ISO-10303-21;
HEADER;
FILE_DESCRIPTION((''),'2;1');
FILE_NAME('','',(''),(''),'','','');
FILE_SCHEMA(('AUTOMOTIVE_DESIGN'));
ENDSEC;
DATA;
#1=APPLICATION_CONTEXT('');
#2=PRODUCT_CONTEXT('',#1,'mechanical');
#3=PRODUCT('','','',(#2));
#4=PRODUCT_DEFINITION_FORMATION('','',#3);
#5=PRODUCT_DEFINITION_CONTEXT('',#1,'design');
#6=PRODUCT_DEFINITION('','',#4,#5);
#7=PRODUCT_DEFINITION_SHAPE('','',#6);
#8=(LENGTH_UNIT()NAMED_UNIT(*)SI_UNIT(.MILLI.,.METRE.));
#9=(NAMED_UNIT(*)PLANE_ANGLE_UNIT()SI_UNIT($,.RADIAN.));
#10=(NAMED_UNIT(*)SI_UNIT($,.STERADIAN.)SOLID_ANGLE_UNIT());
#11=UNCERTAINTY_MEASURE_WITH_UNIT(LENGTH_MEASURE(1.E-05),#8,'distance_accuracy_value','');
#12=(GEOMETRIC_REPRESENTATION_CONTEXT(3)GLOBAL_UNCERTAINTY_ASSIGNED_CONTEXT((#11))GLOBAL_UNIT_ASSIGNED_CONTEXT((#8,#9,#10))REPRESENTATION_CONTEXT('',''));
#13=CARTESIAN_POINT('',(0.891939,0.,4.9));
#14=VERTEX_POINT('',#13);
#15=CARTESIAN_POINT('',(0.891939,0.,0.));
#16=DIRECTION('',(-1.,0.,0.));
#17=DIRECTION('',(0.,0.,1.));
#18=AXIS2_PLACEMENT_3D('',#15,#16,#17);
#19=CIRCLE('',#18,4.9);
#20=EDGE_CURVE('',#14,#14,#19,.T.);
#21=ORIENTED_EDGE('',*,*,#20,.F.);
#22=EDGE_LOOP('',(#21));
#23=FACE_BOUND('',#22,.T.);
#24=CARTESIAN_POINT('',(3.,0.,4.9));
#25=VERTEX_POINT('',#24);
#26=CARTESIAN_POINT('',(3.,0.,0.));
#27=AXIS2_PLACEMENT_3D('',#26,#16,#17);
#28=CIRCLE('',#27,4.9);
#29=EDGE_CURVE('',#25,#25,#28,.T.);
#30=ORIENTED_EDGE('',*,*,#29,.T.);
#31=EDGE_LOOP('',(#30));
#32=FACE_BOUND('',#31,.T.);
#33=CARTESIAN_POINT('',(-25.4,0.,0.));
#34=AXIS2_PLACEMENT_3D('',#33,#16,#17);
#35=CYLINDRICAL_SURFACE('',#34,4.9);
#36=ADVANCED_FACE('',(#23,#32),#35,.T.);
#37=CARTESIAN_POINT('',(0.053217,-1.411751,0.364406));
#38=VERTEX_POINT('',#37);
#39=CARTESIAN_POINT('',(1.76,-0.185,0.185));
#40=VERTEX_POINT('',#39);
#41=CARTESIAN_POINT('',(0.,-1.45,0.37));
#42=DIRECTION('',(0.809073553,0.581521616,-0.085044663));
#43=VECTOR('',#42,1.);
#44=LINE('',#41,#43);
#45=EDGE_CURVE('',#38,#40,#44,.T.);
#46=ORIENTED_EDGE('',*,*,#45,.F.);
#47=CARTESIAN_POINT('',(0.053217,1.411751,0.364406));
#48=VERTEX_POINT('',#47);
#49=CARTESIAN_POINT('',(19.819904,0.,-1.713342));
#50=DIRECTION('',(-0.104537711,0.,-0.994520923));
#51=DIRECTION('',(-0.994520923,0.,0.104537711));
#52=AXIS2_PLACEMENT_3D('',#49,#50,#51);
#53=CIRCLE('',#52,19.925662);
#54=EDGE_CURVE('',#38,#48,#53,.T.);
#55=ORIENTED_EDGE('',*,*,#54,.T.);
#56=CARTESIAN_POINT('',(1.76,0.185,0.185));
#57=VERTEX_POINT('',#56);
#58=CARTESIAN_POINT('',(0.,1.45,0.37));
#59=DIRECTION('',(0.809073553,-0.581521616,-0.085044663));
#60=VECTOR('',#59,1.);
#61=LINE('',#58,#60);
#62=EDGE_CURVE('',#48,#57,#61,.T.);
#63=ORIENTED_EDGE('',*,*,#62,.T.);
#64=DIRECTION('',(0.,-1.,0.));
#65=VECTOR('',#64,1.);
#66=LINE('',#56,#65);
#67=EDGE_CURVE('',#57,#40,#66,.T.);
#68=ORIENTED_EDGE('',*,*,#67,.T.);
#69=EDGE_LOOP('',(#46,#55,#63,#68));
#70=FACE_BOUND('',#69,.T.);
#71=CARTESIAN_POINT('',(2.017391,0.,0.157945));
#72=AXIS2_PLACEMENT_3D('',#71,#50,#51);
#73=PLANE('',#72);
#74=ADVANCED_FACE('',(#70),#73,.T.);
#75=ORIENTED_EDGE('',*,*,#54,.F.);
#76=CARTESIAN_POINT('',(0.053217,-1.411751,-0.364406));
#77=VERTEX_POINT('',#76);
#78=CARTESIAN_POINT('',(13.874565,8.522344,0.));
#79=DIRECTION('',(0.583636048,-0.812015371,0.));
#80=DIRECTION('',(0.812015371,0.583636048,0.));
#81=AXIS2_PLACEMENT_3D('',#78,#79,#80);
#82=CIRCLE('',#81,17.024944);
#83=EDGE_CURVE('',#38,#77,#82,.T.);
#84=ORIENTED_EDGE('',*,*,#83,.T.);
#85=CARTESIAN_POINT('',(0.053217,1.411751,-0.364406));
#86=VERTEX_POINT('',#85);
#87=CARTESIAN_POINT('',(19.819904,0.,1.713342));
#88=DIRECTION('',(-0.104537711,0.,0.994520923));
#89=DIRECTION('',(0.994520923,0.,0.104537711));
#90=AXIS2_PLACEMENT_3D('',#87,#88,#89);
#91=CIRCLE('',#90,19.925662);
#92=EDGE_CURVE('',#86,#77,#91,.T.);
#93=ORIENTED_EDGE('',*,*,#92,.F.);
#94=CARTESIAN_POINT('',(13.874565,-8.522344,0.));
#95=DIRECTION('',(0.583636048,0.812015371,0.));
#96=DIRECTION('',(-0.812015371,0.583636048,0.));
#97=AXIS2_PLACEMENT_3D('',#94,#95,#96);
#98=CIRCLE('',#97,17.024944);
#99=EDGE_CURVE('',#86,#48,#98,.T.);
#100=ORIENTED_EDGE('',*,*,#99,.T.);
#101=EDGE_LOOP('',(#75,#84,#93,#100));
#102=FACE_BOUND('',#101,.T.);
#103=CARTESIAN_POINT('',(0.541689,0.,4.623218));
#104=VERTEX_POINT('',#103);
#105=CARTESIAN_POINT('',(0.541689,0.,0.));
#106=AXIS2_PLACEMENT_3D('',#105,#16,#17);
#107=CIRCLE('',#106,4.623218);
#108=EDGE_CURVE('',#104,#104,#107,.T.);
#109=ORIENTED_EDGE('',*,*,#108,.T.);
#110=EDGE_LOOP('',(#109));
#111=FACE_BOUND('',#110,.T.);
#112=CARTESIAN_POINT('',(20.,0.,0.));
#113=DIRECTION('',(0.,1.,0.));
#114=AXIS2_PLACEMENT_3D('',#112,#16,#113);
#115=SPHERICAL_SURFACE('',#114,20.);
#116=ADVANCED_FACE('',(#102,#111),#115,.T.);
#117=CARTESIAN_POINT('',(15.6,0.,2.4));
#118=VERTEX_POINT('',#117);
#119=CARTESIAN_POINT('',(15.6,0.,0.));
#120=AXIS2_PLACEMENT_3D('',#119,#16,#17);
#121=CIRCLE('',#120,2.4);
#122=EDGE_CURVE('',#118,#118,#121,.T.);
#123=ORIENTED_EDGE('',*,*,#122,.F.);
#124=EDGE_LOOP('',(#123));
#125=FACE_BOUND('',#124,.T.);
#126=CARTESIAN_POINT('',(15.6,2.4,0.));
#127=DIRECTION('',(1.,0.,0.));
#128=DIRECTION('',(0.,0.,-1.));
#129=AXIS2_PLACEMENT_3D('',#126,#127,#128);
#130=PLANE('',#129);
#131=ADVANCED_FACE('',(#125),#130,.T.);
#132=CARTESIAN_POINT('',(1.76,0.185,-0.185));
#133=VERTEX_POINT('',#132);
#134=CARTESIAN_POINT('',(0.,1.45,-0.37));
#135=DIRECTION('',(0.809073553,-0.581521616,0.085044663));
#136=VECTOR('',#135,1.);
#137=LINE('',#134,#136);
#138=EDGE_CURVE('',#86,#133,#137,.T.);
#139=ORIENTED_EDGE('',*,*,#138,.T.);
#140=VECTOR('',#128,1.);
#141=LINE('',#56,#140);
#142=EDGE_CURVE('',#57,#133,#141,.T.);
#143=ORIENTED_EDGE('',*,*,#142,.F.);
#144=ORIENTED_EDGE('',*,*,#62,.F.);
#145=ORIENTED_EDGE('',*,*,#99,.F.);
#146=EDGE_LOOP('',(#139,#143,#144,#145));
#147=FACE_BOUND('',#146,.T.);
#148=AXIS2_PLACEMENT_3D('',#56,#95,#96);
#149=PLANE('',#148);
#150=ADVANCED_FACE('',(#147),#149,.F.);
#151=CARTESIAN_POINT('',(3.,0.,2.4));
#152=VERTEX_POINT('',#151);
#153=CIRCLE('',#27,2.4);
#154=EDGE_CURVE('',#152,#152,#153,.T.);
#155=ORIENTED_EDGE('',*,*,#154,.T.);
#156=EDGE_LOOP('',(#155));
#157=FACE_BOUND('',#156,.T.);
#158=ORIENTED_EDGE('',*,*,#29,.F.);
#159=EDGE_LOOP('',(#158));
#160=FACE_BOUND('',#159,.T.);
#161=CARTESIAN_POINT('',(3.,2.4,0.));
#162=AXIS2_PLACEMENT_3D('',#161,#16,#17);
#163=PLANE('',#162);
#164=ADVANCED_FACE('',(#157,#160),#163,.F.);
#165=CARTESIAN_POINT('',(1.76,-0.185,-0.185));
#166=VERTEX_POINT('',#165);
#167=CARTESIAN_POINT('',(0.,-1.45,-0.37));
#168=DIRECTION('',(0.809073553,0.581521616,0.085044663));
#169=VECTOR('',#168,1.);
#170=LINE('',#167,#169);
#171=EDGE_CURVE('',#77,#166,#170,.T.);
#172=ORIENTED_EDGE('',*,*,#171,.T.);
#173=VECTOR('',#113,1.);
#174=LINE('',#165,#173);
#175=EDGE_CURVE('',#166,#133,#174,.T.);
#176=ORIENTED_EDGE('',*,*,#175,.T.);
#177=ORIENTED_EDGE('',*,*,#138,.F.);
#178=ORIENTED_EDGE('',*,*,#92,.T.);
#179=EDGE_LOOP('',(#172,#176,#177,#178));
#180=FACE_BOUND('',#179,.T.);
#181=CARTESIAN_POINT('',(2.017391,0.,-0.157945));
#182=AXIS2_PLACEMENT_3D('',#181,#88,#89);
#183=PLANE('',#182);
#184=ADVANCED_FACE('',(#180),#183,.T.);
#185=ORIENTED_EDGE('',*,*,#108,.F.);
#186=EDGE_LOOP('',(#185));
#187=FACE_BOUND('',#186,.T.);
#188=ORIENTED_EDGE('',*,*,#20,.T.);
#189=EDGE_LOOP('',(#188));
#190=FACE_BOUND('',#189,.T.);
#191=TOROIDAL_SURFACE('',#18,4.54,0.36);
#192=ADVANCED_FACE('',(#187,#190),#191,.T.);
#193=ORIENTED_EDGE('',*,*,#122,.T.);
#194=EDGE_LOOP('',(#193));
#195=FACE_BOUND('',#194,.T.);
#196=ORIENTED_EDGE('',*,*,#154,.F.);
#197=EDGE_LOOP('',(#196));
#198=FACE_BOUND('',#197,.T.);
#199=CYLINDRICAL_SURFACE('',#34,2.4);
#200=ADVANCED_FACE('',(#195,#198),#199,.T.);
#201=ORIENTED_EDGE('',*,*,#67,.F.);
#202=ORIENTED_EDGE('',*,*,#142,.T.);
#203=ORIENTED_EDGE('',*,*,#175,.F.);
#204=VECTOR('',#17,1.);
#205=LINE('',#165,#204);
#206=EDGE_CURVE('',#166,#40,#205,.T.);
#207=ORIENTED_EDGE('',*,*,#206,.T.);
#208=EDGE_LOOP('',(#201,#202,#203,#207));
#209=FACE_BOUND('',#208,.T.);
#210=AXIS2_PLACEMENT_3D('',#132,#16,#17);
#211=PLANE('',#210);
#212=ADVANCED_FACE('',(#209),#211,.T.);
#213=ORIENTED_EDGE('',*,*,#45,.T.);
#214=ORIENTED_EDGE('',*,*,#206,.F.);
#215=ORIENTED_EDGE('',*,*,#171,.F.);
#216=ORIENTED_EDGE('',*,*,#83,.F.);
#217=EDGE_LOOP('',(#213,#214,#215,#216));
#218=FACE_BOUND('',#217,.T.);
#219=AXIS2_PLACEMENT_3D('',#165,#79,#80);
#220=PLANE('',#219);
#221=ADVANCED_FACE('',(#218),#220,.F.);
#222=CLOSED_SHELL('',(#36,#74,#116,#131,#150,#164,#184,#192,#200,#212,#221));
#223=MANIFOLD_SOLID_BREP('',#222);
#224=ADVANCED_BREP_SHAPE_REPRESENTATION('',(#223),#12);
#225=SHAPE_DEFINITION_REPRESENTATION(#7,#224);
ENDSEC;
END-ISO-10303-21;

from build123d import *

# Parameters (mm, degrees)
SKETCH3_W = 0.74
SKETCH3_H = 2.9
SKETCH4_W = 0.37
SKETCH4_H = 0.37


with BuildPart() as part:
    # BodySke → Base-Revolve (revolve)
    with BuildSketch(Plane.XY):
        with BuildLine():
            Line((3, 2.4), (3, 4.9))
            Line((3, 4.9), (0.891938874, 4.9))
            ThreePointArc((0.891938874, 4.9), (0.668733198, 4.822452166), (0.541689281, 4.623217923))
            ThreePointArc((0.541689281, 4.623217923), (0.135883931, 2.327421923), (0, 0))
            Line((0, 0), (15.6, 0))
            Line((15.6, 0), (15.6, 2.4))
            Line((15.6, 2.4), (3, 2.4))
        make_face()
    revolve(axis=Axis((-25.4, 0, 0), (1, 0, 0)))

    # Sketch3 → Cut-Loft1 section 0
    with BuildSketch(Plane(origin=(0, 0, 0), x_dir=(0, 0, -1), z_dir=(1, 0, 0))):
        Rectangle(SKETCH3_W, SKETCH3_H)
    # Sketch4 → Cut-Loft1 section 1
    with BuildSketch(Plane(origin=(1.76, 0, 0), x_dir=(0, 0, -1), z_dir=(1, 0, 0))):
        Rectangle(SKETCH4_W, SKETCH4_H)
    loft(mode=Mode.SUBTRACT)


solid = part.part
